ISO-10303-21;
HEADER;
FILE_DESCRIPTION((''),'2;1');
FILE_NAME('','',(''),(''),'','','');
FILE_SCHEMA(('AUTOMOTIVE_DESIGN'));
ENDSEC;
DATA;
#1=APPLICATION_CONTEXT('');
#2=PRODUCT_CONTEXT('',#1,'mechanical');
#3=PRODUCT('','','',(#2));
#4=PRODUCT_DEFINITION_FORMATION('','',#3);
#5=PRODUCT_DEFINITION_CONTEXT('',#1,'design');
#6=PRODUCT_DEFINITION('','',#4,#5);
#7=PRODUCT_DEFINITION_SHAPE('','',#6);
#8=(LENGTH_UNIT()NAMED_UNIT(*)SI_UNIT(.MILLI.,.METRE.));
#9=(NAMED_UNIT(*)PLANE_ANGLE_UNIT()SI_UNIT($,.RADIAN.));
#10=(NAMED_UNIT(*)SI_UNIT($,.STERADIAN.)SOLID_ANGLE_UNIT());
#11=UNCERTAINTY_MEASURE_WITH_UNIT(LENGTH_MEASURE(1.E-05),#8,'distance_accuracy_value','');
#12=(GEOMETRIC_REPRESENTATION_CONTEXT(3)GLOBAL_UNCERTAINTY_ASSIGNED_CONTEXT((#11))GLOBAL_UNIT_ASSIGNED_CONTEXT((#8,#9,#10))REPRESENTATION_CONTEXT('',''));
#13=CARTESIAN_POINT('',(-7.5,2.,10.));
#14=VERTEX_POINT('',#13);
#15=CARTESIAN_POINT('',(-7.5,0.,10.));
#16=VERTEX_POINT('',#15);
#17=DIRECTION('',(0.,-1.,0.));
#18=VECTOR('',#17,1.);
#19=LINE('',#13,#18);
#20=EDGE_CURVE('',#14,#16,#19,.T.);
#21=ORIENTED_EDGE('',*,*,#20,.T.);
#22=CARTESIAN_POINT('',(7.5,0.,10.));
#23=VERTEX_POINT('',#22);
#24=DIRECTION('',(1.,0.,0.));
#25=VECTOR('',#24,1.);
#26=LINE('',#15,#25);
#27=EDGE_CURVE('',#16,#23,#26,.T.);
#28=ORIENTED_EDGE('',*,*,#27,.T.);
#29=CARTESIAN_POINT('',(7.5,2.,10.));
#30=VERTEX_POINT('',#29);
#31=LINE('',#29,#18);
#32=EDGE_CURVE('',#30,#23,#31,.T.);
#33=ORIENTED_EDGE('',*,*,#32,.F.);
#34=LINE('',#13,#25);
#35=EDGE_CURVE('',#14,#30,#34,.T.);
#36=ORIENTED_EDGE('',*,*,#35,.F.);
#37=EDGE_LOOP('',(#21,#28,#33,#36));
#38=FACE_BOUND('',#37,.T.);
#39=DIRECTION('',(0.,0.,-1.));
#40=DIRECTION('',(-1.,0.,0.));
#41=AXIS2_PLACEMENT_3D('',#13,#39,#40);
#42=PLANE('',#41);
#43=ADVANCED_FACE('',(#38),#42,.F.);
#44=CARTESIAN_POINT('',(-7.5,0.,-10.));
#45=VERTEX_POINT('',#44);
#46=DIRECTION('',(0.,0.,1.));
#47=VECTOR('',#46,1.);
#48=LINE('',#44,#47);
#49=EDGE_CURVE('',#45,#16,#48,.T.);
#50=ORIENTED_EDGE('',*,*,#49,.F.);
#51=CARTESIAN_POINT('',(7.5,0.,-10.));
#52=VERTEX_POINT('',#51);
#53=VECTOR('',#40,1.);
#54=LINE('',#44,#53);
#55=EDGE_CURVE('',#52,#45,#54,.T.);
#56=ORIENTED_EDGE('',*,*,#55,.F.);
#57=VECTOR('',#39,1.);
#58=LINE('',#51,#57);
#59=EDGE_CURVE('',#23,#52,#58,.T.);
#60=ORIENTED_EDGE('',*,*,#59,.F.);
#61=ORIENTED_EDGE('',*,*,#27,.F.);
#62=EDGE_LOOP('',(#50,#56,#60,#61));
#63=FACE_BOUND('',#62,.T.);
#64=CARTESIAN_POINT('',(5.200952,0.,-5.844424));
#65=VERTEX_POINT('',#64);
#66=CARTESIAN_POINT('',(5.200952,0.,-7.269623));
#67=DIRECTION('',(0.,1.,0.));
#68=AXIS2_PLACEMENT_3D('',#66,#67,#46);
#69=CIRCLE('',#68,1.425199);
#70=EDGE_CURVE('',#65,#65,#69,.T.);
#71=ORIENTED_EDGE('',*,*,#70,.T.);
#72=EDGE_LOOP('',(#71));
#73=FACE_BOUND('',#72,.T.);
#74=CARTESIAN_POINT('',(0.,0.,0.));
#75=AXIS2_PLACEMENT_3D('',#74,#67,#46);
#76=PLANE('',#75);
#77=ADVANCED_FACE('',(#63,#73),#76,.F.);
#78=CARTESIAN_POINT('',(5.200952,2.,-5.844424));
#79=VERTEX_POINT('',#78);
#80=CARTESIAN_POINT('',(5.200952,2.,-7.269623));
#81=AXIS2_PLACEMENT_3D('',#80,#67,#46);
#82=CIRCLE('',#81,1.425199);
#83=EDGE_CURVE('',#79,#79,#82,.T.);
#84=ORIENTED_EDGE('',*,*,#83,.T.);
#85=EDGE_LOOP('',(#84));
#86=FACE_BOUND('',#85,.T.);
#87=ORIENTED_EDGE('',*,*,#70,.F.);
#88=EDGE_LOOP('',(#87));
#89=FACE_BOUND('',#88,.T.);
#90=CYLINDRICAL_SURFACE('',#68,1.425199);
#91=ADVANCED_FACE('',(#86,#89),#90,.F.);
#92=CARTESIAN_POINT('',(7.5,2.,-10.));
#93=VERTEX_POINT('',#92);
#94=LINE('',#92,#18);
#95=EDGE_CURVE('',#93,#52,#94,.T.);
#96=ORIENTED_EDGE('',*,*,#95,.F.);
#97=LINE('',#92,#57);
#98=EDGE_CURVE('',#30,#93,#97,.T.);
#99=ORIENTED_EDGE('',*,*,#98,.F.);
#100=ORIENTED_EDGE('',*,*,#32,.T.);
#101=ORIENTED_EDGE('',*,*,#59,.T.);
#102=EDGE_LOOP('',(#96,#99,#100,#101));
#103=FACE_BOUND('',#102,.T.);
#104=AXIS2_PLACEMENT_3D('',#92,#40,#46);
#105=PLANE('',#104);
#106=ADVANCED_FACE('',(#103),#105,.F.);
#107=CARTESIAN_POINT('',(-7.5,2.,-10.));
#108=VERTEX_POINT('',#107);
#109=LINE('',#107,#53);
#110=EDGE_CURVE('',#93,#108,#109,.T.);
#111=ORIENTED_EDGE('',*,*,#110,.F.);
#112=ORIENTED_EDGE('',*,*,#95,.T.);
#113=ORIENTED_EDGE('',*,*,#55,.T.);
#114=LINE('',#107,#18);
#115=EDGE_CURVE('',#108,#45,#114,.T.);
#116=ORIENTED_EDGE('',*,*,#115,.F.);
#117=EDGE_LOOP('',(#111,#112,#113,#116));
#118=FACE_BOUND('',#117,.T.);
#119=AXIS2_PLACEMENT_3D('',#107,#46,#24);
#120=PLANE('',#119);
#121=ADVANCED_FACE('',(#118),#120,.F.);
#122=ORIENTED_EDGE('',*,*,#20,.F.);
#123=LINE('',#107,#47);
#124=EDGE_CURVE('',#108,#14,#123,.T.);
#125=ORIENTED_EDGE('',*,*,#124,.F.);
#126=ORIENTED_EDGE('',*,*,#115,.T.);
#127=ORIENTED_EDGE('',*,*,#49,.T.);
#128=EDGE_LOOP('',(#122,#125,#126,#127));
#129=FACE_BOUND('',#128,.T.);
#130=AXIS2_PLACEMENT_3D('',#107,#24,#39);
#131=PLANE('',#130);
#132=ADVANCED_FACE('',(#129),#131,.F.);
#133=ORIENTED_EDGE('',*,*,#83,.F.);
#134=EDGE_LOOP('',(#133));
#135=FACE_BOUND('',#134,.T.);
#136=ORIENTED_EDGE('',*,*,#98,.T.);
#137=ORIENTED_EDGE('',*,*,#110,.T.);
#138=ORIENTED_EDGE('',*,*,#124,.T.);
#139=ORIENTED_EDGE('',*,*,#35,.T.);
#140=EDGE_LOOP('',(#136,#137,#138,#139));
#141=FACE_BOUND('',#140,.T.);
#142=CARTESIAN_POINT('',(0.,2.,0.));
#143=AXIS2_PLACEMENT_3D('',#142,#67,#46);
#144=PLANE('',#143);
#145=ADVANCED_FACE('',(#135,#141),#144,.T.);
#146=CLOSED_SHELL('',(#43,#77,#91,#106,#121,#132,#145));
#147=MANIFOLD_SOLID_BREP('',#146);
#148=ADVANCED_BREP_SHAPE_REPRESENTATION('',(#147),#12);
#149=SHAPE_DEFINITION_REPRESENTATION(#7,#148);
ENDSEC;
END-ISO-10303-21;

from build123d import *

# Parameters (mm, degrees)
SKETCH1_W           = 15
SKETCH1_H           = 20
BOSS_EXTRUDE1_DEPTH = 2
SKETCH2_R           = 1.425198778
CUT_EXTRUDE1_DEPTH  = 3


with BuildPart() as part:
    # Sketch1 → Boss-Extrude1 (new body)
    with BuildSketch(Plane(origin=(0, 0, 0), x_dir=(1, 0, 0), z_dir=(0, 1, 0))):
        Rectangle(SKETCH1_W, SKETCH1_H)
    extrude(amount=BOSS_EXTRUDE1_DEPTH)

    # Sketch2 → Cut-Extrude1 (cut, through all)
    with BuildSketch(Plane(origin=(0, 2, 0), x_dir=(1, 0, 0), z_dir=(0, 1, 0))):
        with Locations((5.20095182, 7.269623024)):
            Circle(SKETCH2_R)
    extrude(amount=-CUT_EXTRUDE1_DEPTH, mode=Mode.SUBTRACT)


solid = part.part
